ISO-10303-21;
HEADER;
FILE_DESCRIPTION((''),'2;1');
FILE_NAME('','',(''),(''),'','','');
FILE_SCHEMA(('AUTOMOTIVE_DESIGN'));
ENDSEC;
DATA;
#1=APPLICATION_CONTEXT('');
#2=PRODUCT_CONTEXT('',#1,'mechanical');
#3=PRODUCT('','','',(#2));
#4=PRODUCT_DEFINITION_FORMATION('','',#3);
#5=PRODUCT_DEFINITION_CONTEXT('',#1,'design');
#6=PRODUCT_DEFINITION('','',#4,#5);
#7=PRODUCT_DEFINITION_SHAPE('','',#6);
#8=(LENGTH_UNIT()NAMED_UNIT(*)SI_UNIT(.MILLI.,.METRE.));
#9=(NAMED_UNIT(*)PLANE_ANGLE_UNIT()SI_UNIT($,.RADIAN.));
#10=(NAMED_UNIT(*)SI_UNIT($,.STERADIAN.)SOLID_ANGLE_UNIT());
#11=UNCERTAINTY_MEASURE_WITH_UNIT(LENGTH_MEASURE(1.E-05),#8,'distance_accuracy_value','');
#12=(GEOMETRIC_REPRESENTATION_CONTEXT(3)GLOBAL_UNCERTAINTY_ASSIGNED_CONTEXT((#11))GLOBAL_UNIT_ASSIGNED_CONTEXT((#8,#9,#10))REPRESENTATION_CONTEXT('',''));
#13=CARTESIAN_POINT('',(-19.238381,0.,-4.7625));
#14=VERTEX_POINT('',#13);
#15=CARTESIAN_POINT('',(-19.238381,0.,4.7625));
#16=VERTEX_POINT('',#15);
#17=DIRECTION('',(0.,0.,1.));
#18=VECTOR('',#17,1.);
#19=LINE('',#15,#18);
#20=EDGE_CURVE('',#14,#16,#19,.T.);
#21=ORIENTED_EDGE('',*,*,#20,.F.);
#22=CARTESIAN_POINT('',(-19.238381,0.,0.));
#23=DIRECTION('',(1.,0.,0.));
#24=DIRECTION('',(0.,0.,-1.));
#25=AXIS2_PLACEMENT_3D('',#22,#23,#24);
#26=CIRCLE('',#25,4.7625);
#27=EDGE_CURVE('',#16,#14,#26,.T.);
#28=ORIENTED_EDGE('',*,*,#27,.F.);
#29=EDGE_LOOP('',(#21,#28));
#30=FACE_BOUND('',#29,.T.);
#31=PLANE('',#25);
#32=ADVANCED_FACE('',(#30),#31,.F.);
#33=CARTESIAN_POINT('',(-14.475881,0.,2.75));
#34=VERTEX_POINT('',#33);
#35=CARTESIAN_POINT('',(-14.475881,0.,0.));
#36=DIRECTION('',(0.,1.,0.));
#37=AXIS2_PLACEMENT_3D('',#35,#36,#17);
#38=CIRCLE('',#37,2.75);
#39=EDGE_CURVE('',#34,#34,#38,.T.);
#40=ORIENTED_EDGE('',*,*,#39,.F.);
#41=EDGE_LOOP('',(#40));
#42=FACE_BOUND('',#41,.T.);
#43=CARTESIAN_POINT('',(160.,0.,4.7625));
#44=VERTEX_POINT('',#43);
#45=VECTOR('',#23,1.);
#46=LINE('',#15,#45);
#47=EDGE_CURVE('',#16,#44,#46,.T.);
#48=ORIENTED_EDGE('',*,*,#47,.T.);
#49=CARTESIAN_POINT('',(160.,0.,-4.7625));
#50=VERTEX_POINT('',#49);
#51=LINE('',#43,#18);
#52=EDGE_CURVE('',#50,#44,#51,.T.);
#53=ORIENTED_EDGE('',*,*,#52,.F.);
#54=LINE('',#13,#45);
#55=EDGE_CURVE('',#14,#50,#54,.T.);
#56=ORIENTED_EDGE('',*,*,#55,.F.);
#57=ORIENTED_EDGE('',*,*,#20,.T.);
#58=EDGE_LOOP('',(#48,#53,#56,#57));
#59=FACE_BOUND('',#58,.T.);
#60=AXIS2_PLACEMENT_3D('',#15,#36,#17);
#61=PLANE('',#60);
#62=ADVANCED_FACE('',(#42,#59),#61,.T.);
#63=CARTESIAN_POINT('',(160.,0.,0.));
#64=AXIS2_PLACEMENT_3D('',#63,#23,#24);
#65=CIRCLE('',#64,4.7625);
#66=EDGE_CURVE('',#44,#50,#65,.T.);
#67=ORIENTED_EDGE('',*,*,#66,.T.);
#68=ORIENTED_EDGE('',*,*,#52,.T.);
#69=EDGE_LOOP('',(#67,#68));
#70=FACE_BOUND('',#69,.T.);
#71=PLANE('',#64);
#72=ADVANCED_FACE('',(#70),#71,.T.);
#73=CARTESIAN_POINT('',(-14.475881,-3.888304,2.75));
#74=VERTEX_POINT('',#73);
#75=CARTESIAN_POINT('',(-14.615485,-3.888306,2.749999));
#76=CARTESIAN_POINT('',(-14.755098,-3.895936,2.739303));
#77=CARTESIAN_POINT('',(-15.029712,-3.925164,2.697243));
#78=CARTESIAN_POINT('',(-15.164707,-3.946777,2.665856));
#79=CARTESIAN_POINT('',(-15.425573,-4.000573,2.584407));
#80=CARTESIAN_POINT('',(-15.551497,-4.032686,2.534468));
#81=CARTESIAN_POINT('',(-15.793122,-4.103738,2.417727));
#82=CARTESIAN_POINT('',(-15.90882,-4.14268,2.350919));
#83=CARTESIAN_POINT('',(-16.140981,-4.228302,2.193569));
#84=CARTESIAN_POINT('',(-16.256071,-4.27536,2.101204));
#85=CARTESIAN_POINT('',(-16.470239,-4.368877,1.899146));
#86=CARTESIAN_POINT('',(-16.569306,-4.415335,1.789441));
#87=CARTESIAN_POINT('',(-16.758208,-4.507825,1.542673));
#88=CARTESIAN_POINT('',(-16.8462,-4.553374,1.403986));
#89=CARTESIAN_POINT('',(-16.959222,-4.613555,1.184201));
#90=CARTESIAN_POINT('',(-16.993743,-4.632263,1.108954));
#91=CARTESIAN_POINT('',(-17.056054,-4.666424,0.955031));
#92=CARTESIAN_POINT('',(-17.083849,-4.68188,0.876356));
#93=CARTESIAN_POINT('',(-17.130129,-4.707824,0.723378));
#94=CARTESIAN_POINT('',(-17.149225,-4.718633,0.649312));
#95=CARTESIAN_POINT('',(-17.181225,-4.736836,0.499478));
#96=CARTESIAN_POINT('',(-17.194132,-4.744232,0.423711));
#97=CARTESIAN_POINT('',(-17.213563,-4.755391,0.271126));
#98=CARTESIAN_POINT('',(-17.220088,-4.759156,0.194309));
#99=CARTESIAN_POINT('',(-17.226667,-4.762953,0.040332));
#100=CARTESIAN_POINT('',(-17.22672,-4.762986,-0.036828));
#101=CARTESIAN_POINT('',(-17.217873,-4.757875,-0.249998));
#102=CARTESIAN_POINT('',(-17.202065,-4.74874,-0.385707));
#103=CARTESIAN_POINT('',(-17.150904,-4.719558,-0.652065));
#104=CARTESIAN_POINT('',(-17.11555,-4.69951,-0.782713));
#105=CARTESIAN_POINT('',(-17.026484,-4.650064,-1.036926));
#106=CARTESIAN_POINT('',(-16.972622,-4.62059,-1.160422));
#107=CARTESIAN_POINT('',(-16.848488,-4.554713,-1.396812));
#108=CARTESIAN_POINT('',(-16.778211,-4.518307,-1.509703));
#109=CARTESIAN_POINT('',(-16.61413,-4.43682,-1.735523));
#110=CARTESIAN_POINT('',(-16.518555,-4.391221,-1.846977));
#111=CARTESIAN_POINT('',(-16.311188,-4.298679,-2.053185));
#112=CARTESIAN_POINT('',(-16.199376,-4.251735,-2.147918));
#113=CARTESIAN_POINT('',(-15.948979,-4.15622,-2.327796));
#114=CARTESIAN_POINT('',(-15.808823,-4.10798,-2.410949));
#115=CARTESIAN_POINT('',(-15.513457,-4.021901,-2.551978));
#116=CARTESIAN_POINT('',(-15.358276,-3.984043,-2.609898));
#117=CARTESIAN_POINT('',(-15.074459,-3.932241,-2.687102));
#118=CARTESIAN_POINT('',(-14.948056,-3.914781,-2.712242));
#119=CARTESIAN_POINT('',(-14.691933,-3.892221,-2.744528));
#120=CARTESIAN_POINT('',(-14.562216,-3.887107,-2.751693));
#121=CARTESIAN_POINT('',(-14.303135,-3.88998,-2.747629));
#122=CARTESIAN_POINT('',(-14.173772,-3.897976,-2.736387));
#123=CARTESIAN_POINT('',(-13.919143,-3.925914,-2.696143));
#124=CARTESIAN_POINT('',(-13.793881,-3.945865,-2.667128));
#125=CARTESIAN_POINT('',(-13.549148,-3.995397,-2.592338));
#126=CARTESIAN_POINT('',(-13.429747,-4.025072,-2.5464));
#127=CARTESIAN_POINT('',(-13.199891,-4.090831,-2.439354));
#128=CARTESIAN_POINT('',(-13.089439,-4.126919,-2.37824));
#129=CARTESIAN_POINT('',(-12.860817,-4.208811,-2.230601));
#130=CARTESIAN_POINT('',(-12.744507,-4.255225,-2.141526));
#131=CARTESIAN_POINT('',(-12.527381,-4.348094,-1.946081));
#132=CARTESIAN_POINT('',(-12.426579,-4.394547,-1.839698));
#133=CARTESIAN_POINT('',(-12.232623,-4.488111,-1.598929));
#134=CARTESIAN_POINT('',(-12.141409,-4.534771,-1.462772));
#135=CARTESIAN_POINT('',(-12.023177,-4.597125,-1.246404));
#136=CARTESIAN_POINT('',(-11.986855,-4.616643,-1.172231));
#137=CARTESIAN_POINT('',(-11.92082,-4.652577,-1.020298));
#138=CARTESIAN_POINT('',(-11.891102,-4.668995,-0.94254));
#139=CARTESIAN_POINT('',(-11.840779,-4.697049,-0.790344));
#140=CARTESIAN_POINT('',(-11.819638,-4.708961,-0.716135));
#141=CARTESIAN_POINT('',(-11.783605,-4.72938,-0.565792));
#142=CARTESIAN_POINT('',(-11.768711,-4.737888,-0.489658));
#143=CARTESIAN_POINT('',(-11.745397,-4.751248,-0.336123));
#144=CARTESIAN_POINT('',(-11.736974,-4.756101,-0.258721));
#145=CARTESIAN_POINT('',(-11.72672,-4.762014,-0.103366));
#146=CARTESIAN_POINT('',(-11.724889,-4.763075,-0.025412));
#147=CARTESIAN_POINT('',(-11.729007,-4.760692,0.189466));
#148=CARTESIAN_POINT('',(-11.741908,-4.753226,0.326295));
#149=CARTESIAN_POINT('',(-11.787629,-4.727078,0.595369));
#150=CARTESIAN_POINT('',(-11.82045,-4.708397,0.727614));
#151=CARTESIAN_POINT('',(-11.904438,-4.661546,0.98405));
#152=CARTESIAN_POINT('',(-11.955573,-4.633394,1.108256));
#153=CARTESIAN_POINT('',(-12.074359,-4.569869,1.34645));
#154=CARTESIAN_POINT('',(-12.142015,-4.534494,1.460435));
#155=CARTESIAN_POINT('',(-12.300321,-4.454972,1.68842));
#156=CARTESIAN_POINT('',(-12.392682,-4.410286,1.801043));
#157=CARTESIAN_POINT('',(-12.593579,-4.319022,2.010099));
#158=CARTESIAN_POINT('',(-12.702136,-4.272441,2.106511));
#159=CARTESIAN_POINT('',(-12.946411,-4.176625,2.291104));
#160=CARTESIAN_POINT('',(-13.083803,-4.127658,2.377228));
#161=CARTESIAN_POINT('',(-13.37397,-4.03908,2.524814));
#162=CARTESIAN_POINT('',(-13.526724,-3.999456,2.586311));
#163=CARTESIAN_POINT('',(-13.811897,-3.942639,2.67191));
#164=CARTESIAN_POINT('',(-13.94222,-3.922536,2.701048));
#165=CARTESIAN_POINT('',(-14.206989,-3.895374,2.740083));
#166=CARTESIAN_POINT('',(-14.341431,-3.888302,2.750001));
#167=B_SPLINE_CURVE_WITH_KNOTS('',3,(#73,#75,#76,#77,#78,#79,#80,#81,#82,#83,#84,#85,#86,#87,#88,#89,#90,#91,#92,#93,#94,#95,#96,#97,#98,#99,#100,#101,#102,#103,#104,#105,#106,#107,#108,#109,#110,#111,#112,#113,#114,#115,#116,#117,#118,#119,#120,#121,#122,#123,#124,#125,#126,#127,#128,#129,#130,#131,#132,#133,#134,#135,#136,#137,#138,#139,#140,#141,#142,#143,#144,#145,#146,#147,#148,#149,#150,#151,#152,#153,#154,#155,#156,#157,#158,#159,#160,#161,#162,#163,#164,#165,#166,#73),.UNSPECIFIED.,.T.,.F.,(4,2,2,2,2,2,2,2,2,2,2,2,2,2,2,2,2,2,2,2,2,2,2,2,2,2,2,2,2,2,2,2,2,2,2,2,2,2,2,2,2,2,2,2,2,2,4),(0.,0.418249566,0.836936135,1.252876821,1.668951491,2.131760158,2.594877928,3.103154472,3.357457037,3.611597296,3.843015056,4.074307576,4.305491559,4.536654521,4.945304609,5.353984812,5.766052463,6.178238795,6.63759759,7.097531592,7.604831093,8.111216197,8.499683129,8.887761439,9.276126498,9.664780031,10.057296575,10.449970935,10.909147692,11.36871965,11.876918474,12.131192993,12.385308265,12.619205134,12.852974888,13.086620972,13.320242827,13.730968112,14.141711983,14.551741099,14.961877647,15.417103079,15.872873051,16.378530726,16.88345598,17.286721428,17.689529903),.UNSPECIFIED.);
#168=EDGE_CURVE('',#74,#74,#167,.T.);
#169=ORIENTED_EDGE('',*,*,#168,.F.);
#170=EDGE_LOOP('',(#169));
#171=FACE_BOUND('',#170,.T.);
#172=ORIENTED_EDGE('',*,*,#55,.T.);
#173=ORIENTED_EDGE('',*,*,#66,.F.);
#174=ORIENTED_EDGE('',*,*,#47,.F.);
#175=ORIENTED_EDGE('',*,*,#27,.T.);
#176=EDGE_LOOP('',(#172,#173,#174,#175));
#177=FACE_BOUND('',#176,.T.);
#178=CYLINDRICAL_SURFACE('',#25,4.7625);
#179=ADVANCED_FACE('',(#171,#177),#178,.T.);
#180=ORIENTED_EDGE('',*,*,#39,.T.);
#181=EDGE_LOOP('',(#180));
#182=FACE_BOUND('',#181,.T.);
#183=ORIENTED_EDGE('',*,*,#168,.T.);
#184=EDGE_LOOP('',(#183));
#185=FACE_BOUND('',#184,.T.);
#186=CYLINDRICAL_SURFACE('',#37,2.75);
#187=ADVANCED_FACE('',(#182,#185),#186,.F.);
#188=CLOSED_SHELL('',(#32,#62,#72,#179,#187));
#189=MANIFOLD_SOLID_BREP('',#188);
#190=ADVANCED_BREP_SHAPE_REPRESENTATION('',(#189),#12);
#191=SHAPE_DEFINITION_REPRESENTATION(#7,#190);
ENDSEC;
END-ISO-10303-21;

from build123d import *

# Parameters (mm, degrees)
BOSS_EXTRUDE1_DEPTH      = 160
BOSS_EXTRUDE1_DEPTH_BACK = 19.238381132
M5_CLEARANCE_HOLE1_D     = 5.5
M5_CLEARANCE_HOLE1_DEPTH = 12.7
M5_CLEARANCE_HOLE1_TIP   = 1.652366702


with BuildPart() as part:
    # Sketch1 → Boss-Extrude1 (new, two sides: drawn at the far end of the back side and taken through both)
    with BuildSketch(Plane(origin=(0, 0, 0), x_dir=(0, 0, -1), z_dir=(1, 0, 0)).offset(-BOSS_EXTRUDE1_DEPTH_BACK)):
        with BuildLine():
            Line((-4.7625, 0), (4.7625, 0))
            ThreePointArc((4.7625, 0), (0, -4.7625), (-4.7625, 0))
        make_face()
    extrude(amount=BOSS_EXTRUDE1_DEPTH + BOSS_EXTRUDE1_DEPTH_BACK)

    # M5 Clearance Hole1
    with Locations(Plane(origin=(0, 0, 0), x_dir=(1, 0, 0), z_dir=(0, 1, 0))):
        with Locations((-14.475881132, 0)):
            Hole(M5_CLEARANCE_HOLE1_D / 2, depth=M5_CLEARANCE_HOLE1_DEPTH)
            with Locations((0, 0, -(M5_CLEARANCE_HOLE1_DEPTH + M5_CLEARANCE_HOLE1_TIP / 2))):  # 118° drill point
                Cone(0, M5_CLEARANCE_HOLE1_D / 2, M5_CLEARANCE_HOLE1_TIP, mode=Mode.SUBTRACT)


solid = part.part
